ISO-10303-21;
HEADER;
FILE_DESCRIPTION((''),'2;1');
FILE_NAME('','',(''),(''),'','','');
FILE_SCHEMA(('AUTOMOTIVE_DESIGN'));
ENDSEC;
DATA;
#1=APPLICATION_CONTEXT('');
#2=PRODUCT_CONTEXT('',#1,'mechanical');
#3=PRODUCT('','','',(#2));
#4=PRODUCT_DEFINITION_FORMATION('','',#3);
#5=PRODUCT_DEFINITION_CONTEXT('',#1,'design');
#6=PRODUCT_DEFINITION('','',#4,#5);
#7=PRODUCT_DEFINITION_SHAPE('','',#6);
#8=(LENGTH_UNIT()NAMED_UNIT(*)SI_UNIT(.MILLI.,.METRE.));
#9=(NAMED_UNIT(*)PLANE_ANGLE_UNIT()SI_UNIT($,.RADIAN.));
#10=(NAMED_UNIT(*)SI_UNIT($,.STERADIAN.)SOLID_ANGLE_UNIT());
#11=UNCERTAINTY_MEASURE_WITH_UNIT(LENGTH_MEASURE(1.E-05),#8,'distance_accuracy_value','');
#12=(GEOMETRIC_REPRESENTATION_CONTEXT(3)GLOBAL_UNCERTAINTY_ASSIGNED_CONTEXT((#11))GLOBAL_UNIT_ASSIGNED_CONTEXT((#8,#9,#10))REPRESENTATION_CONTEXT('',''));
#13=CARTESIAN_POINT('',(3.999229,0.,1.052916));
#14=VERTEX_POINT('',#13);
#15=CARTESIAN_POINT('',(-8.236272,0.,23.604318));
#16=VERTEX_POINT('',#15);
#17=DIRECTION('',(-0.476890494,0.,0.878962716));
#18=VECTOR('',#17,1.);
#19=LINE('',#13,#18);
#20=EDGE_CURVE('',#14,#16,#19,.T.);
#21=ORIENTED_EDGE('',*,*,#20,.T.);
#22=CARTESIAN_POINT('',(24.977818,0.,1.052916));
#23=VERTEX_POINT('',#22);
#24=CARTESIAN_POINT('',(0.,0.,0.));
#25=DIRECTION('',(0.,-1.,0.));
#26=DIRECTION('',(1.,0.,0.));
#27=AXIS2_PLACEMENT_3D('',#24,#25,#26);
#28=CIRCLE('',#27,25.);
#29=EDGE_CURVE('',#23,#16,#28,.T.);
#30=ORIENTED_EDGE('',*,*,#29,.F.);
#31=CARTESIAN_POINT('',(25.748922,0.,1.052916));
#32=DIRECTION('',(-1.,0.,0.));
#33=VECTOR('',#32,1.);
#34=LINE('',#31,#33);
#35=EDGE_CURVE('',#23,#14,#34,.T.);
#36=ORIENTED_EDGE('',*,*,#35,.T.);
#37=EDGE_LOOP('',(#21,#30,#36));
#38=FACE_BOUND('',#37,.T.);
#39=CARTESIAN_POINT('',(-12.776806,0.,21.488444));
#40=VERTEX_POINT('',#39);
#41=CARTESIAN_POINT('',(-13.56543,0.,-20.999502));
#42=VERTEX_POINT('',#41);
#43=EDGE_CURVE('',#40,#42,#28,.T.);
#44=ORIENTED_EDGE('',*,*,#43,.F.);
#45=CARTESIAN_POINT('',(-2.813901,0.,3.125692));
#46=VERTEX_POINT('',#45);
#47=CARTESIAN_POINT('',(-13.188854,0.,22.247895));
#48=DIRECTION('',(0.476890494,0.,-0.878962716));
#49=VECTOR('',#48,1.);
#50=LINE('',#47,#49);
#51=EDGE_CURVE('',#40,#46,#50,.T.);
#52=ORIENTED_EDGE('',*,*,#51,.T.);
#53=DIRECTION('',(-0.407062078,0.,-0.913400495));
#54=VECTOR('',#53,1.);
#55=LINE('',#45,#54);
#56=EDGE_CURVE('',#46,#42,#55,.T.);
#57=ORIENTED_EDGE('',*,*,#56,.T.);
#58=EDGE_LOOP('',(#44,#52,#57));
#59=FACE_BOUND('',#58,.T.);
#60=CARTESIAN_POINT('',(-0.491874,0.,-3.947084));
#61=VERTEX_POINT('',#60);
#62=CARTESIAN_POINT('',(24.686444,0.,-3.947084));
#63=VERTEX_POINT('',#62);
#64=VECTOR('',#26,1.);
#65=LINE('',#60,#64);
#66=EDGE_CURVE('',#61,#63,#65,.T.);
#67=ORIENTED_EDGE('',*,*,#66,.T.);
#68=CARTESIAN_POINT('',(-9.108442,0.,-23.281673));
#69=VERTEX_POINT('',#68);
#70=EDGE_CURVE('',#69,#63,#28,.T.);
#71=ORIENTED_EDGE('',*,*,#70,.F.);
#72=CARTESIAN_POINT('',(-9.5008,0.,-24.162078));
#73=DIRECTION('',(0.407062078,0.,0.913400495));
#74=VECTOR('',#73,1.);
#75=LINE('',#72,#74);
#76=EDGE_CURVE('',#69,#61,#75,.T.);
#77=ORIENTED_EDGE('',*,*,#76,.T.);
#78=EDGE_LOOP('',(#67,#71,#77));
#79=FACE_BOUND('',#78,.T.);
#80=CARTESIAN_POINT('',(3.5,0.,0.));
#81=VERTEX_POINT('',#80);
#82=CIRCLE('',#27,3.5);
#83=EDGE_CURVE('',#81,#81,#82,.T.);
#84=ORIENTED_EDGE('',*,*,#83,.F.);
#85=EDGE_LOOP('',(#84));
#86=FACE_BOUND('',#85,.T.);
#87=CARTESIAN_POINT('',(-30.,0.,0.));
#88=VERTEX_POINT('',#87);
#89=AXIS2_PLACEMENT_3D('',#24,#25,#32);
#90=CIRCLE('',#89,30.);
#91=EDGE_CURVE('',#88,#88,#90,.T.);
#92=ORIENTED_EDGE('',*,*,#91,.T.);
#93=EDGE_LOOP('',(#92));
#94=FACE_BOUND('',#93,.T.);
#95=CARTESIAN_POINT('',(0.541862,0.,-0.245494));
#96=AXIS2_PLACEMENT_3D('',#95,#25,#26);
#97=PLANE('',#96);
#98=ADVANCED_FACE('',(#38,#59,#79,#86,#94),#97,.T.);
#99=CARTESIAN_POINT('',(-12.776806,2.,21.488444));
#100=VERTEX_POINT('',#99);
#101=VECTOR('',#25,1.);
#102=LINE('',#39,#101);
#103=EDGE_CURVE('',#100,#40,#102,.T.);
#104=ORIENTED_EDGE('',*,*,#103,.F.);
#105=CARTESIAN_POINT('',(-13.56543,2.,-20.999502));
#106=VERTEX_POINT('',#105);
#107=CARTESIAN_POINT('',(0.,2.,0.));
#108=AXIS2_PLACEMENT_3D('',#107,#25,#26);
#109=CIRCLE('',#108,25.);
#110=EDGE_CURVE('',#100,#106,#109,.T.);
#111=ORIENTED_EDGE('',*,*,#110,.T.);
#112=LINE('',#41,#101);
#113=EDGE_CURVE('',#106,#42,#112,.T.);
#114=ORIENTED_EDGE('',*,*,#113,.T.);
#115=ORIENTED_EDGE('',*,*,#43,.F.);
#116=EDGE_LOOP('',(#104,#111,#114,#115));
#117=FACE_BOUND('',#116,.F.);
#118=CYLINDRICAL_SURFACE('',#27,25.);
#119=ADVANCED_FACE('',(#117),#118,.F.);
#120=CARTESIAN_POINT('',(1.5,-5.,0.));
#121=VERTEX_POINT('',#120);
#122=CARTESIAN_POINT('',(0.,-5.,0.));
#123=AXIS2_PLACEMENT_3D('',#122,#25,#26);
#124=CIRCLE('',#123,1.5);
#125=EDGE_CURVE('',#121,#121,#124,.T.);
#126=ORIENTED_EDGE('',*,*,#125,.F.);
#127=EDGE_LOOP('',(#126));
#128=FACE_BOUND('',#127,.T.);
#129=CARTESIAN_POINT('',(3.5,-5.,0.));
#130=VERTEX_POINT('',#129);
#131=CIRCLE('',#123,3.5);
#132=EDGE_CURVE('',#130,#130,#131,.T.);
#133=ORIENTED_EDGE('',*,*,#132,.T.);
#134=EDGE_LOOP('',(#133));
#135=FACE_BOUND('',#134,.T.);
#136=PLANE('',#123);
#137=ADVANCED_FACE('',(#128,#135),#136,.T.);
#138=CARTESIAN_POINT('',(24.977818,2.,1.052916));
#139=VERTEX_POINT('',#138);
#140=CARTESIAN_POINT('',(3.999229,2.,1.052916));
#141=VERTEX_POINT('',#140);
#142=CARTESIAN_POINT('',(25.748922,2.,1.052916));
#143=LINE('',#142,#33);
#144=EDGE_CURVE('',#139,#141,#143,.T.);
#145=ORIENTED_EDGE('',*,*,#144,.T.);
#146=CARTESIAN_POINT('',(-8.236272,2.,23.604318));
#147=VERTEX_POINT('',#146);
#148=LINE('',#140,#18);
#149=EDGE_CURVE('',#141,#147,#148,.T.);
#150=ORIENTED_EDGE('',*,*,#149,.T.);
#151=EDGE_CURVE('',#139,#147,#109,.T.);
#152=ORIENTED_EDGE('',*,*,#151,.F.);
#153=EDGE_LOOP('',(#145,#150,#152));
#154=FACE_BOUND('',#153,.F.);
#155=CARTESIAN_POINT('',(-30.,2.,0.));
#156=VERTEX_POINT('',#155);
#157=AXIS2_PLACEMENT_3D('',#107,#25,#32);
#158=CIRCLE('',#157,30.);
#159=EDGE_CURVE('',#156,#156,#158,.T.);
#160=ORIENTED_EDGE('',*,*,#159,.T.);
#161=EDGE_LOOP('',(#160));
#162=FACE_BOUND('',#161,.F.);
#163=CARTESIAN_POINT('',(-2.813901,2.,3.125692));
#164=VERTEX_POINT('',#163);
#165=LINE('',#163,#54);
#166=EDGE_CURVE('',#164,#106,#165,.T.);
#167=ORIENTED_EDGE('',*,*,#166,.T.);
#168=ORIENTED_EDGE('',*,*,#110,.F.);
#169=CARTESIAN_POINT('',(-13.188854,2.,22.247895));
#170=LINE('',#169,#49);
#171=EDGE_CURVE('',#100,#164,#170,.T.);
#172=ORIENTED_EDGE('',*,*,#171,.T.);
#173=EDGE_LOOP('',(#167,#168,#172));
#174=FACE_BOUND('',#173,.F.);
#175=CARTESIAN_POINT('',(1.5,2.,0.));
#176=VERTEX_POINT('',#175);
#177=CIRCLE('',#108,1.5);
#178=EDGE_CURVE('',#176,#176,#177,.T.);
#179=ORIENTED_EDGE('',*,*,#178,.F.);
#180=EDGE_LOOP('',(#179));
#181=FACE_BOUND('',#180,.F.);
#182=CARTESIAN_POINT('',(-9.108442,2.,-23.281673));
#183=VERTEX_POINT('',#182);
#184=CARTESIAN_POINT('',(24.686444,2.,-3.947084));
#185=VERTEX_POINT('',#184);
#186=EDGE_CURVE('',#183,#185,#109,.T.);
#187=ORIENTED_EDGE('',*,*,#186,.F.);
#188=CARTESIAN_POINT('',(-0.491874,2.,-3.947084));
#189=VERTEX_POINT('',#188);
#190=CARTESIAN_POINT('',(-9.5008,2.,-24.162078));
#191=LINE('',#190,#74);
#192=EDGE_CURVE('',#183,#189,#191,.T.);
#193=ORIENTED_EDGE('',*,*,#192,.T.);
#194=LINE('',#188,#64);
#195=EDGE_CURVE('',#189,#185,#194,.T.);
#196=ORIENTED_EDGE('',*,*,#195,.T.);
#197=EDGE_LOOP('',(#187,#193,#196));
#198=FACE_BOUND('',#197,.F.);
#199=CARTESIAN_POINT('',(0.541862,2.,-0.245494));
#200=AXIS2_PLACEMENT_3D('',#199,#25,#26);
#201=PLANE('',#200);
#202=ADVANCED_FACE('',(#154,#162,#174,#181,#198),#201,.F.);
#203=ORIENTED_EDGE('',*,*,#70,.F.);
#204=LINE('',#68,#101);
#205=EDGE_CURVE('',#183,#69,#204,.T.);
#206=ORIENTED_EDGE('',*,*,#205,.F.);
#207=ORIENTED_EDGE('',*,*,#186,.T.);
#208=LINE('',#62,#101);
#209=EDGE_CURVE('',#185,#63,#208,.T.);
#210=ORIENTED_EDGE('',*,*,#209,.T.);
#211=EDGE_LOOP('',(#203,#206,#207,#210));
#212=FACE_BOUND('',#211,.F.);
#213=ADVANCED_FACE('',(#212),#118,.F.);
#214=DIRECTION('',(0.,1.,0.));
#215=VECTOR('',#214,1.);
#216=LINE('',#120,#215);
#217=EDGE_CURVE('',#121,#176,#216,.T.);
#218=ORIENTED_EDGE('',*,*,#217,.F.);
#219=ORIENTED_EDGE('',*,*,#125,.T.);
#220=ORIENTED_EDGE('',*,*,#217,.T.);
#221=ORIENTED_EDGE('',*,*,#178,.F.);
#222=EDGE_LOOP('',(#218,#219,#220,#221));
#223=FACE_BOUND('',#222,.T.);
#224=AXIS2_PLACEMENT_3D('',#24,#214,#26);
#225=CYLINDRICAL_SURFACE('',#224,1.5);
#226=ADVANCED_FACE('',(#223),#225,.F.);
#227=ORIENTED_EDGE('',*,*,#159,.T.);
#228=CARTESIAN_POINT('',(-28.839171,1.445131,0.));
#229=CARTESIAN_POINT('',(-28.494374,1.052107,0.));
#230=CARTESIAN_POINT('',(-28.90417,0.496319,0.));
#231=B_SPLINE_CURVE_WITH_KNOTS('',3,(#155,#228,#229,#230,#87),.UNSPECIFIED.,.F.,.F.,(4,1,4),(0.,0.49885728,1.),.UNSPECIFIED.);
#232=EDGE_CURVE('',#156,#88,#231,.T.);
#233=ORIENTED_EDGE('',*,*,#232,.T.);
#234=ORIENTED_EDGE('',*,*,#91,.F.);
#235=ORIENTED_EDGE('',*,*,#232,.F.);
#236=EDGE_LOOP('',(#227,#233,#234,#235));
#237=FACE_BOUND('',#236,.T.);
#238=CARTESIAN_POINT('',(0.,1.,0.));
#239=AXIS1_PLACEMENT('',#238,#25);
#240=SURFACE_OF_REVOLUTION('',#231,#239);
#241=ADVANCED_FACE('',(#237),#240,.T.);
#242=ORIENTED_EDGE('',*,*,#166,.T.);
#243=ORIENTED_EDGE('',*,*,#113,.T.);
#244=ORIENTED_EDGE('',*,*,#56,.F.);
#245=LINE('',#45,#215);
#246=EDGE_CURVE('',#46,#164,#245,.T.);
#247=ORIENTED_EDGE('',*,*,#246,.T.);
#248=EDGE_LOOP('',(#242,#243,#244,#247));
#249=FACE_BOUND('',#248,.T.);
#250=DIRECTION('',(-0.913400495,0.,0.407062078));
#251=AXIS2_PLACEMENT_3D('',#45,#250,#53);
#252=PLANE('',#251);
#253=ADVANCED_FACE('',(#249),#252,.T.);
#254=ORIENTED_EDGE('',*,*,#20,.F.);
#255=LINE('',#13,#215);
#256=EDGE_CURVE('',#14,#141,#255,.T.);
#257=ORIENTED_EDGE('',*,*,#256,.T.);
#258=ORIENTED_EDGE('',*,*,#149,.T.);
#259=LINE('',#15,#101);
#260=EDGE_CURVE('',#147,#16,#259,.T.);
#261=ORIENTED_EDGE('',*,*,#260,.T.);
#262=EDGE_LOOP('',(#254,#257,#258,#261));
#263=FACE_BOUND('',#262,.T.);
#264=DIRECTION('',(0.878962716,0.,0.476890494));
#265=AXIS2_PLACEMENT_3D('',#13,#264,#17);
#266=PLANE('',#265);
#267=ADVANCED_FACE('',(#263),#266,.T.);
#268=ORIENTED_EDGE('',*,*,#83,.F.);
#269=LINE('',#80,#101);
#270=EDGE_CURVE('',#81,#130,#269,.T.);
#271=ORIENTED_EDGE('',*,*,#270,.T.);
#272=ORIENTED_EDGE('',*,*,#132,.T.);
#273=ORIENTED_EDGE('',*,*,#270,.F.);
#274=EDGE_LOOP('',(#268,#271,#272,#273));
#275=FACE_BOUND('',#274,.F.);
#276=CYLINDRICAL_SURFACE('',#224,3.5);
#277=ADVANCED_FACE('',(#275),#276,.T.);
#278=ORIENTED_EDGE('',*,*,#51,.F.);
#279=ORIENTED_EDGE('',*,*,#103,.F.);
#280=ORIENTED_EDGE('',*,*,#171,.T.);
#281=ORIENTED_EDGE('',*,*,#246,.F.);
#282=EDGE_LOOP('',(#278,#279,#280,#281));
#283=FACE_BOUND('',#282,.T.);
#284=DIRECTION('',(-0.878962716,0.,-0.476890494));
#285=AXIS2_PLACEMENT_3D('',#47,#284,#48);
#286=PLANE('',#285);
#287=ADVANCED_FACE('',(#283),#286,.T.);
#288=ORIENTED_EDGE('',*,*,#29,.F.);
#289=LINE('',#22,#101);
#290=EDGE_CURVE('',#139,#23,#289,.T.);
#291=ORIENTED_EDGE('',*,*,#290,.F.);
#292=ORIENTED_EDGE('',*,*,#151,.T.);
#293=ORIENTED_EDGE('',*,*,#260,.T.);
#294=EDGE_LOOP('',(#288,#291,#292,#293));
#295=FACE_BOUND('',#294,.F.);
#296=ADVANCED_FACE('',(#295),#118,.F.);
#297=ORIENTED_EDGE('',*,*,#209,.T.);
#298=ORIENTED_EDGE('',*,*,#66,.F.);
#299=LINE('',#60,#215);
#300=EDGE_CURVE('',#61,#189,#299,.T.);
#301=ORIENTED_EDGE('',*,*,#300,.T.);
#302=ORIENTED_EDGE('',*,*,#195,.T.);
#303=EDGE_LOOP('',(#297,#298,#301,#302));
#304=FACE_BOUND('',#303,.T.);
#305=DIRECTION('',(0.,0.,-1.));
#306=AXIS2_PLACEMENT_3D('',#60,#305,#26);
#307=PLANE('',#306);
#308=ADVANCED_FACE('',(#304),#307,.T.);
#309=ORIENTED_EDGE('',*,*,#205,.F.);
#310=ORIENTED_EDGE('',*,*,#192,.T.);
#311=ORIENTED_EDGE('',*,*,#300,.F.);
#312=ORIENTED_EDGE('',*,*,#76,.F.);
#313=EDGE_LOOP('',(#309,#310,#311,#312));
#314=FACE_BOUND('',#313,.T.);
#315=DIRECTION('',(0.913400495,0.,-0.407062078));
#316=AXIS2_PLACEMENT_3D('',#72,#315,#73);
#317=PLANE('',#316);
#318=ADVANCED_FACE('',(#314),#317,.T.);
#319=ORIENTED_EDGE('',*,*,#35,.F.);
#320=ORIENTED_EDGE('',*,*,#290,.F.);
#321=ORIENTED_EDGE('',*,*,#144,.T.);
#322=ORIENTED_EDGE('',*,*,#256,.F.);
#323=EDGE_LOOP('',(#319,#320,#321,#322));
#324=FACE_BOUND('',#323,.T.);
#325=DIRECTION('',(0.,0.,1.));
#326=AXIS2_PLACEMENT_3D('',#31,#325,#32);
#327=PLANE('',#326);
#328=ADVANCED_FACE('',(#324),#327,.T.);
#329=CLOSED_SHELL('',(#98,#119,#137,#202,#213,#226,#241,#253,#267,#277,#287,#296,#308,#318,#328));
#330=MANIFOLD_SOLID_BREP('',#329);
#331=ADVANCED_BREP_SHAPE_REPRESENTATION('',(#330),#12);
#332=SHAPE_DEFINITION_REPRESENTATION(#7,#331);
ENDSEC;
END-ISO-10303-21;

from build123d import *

# Parameters (mm, degrees)
F2_R     = 25
F2_R_2   = 3.5
F2_R_3   = 1.5
F3_DEPTH = 1000
F5_DEPTH = 2
F6_DEPTH = 525
F7_DEPTH = 5


with BuildPart() as f1:
    # F0 (on Top) → F1 (revolve)
    with BuildSketch(Plane.XY):
        with BuildLine():
            Line((-30, 0), (0, 0))
            Line((0, 0), (0, 2))
            Line((0, 2), (-30, 2))
            add(Edge.make_bspline(
                [(-30, 2), (-28.8391709328, 1.4451311436), (-28.4943742579, 1.052107198), (-28.9041697979, 0.4963185056), (-30, 0)],
                knots=[0, 0, 0, 0, 0.4988572797, 1, 1, 1, 1], degree=3))
        make_face()
    revolve(axis=Axis((0, 1, 0), (0, -1, 0)))

    # F2 (on Front) → F3 (cut)
    with BuildSketch(Plane.XZ):
        Circle(F2_R)
        Circle(F2_R_2, mode=Mode.SUBTRACT)
        Circle(F2_R_3)
    extrude(amount=-F3_DEPTH, mode=Mode.SUBTRACT)

    # F4 (on Front) → F5 (join)
    with BuildSketch(Plane.XZ):
        Polygon((-2.8139011922, 3.1256922416), (-14.0678024009, -22.1267679741), (-9.5007999253, -24.1620783653), (-0.4918737939, -3.9470840711), (25.7489216609, -3.9470840711), (25.7489216609, 1.0529159289), (3.999228884, 1.0529159289), (-8.7940401669, 24.6323469789), (-13.1888537492, 22.2478945098), align=None)
    extrude(amount=-F5_DEPTH)

    # F2 (on Front) → F6 (cut, symmetric)
    with BuildSketch(Plane.XZ):
        Circle(F2_R_3)
    extrude(amount=F6_DEPTH, both=True, mode=Mode.SUBTRACT)

    # F2 (on Front) → F7 (join)
    with BuildSketch(Plane.XZ):
        Circle(F2_R_2)
        Circle(F2_R_3, mode=Mode.SUBTRACT)
    extrude(amount=F7_DEPTH)


solid = f1.part
